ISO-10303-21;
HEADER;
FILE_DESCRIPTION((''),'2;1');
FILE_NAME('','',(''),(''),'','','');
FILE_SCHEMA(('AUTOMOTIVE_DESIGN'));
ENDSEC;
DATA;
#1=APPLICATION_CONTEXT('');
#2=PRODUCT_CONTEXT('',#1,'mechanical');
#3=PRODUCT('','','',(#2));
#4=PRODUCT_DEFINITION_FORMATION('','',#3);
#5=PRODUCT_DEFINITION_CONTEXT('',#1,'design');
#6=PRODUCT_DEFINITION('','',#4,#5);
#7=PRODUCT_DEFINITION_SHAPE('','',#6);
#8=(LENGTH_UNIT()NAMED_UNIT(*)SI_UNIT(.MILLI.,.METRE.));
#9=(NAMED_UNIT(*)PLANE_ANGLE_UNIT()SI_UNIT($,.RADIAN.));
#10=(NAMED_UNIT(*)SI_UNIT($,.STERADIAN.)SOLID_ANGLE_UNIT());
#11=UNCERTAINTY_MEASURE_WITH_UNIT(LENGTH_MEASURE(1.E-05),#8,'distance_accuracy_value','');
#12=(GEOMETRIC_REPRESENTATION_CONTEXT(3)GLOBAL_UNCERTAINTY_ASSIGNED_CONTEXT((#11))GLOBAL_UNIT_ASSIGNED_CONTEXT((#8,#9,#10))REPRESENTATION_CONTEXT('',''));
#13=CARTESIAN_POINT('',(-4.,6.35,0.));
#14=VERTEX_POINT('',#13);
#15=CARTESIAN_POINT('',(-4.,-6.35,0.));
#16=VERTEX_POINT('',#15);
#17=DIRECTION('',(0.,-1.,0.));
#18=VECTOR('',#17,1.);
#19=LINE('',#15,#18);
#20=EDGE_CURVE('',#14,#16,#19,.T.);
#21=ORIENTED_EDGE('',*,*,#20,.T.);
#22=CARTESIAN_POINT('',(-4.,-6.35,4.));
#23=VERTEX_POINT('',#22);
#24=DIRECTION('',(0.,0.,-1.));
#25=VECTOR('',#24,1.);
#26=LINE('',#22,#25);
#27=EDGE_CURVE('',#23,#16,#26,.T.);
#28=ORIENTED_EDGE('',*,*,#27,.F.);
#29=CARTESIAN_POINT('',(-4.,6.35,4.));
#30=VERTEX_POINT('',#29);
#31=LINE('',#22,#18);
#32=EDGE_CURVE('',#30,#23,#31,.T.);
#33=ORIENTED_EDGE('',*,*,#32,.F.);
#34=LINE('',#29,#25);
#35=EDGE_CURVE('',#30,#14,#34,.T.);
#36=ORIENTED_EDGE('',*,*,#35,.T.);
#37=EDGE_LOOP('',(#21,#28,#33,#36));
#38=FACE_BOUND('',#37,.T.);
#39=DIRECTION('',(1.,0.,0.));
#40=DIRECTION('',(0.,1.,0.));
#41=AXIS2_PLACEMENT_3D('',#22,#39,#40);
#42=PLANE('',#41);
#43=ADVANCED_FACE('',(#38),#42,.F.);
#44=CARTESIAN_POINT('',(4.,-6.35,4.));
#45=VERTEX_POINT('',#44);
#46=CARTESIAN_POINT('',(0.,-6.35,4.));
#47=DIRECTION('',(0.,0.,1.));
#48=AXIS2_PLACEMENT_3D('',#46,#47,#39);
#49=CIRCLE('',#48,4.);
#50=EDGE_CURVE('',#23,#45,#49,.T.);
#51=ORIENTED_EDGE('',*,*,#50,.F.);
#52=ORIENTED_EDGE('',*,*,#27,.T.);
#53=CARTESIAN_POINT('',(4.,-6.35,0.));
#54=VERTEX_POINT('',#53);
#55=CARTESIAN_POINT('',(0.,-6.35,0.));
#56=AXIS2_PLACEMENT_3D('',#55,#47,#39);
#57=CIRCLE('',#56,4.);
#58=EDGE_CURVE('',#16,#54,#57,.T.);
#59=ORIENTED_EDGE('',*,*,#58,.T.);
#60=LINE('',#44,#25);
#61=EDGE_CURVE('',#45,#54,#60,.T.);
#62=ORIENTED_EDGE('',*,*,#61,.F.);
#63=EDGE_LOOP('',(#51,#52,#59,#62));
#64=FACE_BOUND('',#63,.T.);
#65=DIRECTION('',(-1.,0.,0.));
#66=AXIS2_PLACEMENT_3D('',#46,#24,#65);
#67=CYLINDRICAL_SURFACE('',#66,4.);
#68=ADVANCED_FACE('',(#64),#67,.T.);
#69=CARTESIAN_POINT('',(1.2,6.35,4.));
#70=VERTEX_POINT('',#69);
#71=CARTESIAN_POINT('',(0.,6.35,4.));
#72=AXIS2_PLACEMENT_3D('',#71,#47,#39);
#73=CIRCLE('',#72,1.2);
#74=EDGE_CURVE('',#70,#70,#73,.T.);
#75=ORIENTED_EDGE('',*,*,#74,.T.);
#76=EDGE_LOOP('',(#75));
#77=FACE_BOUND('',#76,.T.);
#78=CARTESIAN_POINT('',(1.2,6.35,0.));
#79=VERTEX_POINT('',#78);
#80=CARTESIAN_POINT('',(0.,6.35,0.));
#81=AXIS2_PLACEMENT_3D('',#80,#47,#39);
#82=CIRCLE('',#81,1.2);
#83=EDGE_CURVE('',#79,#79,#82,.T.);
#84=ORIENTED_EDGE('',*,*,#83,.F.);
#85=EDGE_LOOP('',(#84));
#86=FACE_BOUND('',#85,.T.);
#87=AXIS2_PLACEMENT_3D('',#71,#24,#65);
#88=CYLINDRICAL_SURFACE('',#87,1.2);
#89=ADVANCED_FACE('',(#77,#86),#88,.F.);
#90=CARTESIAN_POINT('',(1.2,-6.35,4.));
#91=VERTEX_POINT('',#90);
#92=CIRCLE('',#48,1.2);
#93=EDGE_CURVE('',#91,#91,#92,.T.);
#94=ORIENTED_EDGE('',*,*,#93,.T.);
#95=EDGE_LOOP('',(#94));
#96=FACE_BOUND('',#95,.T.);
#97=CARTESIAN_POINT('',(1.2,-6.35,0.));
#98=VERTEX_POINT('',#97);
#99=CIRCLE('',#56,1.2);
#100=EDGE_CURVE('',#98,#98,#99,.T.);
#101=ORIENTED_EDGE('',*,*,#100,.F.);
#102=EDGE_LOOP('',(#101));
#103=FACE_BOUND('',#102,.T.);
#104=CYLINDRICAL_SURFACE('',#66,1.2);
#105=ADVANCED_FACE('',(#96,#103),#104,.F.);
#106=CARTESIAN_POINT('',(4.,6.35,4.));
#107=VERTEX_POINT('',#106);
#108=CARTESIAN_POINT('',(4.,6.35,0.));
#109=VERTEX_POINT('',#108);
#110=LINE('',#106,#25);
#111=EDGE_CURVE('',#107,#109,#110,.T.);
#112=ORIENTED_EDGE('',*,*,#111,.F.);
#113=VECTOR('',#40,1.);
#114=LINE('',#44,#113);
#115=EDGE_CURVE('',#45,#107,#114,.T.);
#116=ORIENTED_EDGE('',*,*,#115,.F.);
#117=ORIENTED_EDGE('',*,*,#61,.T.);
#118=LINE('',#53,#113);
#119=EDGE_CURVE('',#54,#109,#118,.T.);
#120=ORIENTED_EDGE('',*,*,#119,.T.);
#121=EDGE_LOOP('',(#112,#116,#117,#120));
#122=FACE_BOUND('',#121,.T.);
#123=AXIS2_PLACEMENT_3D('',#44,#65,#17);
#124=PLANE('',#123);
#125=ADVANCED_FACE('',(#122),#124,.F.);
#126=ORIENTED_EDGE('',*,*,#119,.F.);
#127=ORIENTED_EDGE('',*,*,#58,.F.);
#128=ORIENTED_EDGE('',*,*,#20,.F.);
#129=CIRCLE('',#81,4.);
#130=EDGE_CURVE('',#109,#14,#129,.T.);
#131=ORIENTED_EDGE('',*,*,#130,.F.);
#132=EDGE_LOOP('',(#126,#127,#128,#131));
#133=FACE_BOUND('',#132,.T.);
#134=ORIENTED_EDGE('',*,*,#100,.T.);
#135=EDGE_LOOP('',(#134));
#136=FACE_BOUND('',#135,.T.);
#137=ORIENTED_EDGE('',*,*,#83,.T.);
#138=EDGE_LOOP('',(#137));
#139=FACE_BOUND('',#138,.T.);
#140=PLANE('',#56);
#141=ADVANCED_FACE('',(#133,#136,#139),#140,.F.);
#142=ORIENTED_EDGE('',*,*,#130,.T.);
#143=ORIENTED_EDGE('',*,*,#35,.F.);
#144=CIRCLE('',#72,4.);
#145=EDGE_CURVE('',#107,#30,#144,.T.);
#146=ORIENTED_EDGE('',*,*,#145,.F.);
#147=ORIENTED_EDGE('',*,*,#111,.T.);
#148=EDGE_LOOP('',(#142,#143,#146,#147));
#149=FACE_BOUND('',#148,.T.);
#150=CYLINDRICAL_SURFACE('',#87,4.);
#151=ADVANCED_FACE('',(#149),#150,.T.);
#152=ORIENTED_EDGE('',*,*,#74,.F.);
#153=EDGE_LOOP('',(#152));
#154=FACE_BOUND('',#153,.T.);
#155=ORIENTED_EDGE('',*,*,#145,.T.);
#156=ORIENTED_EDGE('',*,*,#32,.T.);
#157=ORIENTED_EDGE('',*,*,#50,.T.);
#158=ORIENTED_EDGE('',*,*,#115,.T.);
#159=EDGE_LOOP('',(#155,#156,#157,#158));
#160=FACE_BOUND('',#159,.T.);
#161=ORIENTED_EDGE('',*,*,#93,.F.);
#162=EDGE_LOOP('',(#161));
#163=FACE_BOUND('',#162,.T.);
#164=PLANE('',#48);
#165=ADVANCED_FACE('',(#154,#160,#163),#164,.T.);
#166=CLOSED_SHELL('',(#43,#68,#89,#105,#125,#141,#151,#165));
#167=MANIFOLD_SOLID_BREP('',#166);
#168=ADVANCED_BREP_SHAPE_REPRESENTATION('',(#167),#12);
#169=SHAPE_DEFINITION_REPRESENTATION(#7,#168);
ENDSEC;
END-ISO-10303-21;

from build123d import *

# Parameters (mm, degrees)
SKETCH_1_R      = 1.2
EXTRUDE_1_DEPTH = 4


with BuildPart() as part:
    # 草图1 → 凸台-拉伸1 (new body)
    with BuildSketch(Plane.XY):
        with BuildLine():
            Line((-4, -6.35), (-4, 6.35))
            ThreePointArc((-4, 6.35), (0, 10.35), (4, 6.35))
            Line((4, 6.35), (4, -6.35))
            ThreePointArc((4, -6.35), (0, -10.35), (-4, -6.35))
        make_face()
        with Locations((0, 6.35)):
            Circle(SKETCH_1_R, mode=Mode.SUBTRACT)
        with Locations((0, -6.35)):
            Circle(SKETCH_1_R, mode=Mode.SUBTRACT)
    extrude(amount=EXTRUDE_1_DEPTH)


solid = part.part
